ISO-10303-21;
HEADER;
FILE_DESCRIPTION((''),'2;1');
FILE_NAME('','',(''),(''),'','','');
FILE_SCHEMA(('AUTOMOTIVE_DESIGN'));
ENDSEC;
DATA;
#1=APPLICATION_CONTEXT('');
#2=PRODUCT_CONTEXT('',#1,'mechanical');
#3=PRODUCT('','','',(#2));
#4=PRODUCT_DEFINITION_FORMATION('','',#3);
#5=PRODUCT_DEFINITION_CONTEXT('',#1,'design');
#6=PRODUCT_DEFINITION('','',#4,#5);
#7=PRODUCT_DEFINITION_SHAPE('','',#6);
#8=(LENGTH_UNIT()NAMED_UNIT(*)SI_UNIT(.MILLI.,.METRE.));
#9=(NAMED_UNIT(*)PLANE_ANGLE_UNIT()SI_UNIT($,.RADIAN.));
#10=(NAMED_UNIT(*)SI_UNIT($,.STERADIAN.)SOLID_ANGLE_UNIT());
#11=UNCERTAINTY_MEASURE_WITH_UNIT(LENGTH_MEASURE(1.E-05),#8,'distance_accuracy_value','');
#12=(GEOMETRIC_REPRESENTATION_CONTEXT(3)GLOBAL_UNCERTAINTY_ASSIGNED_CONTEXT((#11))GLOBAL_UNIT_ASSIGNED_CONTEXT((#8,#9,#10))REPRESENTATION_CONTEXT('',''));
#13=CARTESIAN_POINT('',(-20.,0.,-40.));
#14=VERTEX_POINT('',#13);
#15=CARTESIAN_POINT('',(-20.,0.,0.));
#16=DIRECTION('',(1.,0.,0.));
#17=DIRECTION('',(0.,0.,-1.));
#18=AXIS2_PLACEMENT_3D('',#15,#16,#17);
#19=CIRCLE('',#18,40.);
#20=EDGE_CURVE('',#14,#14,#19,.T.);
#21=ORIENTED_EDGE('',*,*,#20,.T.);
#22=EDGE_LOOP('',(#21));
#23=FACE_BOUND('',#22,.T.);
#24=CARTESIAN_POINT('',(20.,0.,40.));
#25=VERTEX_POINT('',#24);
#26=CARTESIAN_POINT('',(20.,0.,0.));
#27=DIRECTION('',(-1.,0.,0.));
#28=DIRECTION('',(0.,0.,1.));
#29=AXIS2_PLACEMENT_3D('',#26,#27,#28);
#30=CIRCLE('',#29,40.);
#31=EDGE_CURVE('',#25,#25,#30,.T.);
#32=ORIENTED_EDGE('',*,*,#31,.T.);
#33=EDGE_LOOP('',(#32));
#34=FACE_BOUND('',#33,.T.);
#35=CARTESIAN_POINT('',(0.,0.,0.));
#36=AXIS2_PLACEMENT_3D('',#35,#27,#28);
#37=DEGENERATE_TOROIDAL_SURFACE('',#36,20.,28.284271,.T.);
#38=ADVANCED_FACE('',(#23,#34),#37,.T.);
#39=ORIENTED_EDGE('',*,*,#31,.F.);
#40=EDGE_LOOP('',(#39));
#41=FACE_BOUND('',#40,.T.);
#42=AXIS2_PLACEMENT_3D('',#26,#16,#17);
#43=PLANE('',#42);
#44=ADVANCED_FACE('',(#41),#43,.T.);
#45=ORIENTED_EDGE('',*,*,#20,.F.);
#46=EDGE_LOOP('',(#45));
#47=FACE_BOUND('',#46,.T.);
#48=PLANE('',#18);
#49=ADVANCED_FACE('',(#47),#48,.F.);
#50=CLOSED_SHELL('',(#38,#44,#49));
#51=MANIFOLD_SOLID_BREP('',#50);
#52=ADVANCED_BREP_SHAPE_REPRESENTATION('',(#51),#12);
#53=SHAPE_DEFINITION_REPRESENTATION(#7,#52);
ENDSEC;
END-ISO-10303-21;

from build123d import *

# Parameters (mm, degrees)
SKETCH2_R           = 40
SKETCH2_R_2         = 23.258830185
BOSS_EXTRUDE1_DEPTH = 20


with BuildPart() as part:
    # Sketch2 → Boss-Extrude1 (new, symmetric)
    with BuildSketch(Plane(origin=(0, 0, 0), x_dir=(0, 0, -1), z_dir=(1, 0, 0))):
        Circle(SKETCH2_R)
        Circle(SKETCH2_R_2, mode=Mode.SUBTRACT)
        Circle(SKETCH2_R_2)
    extrude(amount=BOSS_EXTRUDE1_DEPTH, both=True)

    # Sketch3 → Revolve1 (revolve)
    with BuildSketch(Plane.XY, mode=Mode.PRIVATE) as revolve1_sk:
        with BuildLine():
            Line((-20, 40), (20, 40))
            ThreePointArc((20, 40), (0, 48.284271247), (-20, 40))
        make_face()
    revolve(revolve1_sk.sketch.rotate(Axis((0, 0, 0), (1, 0, 0)), 90), axis=Axis((0, 0, 0), (1, 0, 0)))


solid = part.part
